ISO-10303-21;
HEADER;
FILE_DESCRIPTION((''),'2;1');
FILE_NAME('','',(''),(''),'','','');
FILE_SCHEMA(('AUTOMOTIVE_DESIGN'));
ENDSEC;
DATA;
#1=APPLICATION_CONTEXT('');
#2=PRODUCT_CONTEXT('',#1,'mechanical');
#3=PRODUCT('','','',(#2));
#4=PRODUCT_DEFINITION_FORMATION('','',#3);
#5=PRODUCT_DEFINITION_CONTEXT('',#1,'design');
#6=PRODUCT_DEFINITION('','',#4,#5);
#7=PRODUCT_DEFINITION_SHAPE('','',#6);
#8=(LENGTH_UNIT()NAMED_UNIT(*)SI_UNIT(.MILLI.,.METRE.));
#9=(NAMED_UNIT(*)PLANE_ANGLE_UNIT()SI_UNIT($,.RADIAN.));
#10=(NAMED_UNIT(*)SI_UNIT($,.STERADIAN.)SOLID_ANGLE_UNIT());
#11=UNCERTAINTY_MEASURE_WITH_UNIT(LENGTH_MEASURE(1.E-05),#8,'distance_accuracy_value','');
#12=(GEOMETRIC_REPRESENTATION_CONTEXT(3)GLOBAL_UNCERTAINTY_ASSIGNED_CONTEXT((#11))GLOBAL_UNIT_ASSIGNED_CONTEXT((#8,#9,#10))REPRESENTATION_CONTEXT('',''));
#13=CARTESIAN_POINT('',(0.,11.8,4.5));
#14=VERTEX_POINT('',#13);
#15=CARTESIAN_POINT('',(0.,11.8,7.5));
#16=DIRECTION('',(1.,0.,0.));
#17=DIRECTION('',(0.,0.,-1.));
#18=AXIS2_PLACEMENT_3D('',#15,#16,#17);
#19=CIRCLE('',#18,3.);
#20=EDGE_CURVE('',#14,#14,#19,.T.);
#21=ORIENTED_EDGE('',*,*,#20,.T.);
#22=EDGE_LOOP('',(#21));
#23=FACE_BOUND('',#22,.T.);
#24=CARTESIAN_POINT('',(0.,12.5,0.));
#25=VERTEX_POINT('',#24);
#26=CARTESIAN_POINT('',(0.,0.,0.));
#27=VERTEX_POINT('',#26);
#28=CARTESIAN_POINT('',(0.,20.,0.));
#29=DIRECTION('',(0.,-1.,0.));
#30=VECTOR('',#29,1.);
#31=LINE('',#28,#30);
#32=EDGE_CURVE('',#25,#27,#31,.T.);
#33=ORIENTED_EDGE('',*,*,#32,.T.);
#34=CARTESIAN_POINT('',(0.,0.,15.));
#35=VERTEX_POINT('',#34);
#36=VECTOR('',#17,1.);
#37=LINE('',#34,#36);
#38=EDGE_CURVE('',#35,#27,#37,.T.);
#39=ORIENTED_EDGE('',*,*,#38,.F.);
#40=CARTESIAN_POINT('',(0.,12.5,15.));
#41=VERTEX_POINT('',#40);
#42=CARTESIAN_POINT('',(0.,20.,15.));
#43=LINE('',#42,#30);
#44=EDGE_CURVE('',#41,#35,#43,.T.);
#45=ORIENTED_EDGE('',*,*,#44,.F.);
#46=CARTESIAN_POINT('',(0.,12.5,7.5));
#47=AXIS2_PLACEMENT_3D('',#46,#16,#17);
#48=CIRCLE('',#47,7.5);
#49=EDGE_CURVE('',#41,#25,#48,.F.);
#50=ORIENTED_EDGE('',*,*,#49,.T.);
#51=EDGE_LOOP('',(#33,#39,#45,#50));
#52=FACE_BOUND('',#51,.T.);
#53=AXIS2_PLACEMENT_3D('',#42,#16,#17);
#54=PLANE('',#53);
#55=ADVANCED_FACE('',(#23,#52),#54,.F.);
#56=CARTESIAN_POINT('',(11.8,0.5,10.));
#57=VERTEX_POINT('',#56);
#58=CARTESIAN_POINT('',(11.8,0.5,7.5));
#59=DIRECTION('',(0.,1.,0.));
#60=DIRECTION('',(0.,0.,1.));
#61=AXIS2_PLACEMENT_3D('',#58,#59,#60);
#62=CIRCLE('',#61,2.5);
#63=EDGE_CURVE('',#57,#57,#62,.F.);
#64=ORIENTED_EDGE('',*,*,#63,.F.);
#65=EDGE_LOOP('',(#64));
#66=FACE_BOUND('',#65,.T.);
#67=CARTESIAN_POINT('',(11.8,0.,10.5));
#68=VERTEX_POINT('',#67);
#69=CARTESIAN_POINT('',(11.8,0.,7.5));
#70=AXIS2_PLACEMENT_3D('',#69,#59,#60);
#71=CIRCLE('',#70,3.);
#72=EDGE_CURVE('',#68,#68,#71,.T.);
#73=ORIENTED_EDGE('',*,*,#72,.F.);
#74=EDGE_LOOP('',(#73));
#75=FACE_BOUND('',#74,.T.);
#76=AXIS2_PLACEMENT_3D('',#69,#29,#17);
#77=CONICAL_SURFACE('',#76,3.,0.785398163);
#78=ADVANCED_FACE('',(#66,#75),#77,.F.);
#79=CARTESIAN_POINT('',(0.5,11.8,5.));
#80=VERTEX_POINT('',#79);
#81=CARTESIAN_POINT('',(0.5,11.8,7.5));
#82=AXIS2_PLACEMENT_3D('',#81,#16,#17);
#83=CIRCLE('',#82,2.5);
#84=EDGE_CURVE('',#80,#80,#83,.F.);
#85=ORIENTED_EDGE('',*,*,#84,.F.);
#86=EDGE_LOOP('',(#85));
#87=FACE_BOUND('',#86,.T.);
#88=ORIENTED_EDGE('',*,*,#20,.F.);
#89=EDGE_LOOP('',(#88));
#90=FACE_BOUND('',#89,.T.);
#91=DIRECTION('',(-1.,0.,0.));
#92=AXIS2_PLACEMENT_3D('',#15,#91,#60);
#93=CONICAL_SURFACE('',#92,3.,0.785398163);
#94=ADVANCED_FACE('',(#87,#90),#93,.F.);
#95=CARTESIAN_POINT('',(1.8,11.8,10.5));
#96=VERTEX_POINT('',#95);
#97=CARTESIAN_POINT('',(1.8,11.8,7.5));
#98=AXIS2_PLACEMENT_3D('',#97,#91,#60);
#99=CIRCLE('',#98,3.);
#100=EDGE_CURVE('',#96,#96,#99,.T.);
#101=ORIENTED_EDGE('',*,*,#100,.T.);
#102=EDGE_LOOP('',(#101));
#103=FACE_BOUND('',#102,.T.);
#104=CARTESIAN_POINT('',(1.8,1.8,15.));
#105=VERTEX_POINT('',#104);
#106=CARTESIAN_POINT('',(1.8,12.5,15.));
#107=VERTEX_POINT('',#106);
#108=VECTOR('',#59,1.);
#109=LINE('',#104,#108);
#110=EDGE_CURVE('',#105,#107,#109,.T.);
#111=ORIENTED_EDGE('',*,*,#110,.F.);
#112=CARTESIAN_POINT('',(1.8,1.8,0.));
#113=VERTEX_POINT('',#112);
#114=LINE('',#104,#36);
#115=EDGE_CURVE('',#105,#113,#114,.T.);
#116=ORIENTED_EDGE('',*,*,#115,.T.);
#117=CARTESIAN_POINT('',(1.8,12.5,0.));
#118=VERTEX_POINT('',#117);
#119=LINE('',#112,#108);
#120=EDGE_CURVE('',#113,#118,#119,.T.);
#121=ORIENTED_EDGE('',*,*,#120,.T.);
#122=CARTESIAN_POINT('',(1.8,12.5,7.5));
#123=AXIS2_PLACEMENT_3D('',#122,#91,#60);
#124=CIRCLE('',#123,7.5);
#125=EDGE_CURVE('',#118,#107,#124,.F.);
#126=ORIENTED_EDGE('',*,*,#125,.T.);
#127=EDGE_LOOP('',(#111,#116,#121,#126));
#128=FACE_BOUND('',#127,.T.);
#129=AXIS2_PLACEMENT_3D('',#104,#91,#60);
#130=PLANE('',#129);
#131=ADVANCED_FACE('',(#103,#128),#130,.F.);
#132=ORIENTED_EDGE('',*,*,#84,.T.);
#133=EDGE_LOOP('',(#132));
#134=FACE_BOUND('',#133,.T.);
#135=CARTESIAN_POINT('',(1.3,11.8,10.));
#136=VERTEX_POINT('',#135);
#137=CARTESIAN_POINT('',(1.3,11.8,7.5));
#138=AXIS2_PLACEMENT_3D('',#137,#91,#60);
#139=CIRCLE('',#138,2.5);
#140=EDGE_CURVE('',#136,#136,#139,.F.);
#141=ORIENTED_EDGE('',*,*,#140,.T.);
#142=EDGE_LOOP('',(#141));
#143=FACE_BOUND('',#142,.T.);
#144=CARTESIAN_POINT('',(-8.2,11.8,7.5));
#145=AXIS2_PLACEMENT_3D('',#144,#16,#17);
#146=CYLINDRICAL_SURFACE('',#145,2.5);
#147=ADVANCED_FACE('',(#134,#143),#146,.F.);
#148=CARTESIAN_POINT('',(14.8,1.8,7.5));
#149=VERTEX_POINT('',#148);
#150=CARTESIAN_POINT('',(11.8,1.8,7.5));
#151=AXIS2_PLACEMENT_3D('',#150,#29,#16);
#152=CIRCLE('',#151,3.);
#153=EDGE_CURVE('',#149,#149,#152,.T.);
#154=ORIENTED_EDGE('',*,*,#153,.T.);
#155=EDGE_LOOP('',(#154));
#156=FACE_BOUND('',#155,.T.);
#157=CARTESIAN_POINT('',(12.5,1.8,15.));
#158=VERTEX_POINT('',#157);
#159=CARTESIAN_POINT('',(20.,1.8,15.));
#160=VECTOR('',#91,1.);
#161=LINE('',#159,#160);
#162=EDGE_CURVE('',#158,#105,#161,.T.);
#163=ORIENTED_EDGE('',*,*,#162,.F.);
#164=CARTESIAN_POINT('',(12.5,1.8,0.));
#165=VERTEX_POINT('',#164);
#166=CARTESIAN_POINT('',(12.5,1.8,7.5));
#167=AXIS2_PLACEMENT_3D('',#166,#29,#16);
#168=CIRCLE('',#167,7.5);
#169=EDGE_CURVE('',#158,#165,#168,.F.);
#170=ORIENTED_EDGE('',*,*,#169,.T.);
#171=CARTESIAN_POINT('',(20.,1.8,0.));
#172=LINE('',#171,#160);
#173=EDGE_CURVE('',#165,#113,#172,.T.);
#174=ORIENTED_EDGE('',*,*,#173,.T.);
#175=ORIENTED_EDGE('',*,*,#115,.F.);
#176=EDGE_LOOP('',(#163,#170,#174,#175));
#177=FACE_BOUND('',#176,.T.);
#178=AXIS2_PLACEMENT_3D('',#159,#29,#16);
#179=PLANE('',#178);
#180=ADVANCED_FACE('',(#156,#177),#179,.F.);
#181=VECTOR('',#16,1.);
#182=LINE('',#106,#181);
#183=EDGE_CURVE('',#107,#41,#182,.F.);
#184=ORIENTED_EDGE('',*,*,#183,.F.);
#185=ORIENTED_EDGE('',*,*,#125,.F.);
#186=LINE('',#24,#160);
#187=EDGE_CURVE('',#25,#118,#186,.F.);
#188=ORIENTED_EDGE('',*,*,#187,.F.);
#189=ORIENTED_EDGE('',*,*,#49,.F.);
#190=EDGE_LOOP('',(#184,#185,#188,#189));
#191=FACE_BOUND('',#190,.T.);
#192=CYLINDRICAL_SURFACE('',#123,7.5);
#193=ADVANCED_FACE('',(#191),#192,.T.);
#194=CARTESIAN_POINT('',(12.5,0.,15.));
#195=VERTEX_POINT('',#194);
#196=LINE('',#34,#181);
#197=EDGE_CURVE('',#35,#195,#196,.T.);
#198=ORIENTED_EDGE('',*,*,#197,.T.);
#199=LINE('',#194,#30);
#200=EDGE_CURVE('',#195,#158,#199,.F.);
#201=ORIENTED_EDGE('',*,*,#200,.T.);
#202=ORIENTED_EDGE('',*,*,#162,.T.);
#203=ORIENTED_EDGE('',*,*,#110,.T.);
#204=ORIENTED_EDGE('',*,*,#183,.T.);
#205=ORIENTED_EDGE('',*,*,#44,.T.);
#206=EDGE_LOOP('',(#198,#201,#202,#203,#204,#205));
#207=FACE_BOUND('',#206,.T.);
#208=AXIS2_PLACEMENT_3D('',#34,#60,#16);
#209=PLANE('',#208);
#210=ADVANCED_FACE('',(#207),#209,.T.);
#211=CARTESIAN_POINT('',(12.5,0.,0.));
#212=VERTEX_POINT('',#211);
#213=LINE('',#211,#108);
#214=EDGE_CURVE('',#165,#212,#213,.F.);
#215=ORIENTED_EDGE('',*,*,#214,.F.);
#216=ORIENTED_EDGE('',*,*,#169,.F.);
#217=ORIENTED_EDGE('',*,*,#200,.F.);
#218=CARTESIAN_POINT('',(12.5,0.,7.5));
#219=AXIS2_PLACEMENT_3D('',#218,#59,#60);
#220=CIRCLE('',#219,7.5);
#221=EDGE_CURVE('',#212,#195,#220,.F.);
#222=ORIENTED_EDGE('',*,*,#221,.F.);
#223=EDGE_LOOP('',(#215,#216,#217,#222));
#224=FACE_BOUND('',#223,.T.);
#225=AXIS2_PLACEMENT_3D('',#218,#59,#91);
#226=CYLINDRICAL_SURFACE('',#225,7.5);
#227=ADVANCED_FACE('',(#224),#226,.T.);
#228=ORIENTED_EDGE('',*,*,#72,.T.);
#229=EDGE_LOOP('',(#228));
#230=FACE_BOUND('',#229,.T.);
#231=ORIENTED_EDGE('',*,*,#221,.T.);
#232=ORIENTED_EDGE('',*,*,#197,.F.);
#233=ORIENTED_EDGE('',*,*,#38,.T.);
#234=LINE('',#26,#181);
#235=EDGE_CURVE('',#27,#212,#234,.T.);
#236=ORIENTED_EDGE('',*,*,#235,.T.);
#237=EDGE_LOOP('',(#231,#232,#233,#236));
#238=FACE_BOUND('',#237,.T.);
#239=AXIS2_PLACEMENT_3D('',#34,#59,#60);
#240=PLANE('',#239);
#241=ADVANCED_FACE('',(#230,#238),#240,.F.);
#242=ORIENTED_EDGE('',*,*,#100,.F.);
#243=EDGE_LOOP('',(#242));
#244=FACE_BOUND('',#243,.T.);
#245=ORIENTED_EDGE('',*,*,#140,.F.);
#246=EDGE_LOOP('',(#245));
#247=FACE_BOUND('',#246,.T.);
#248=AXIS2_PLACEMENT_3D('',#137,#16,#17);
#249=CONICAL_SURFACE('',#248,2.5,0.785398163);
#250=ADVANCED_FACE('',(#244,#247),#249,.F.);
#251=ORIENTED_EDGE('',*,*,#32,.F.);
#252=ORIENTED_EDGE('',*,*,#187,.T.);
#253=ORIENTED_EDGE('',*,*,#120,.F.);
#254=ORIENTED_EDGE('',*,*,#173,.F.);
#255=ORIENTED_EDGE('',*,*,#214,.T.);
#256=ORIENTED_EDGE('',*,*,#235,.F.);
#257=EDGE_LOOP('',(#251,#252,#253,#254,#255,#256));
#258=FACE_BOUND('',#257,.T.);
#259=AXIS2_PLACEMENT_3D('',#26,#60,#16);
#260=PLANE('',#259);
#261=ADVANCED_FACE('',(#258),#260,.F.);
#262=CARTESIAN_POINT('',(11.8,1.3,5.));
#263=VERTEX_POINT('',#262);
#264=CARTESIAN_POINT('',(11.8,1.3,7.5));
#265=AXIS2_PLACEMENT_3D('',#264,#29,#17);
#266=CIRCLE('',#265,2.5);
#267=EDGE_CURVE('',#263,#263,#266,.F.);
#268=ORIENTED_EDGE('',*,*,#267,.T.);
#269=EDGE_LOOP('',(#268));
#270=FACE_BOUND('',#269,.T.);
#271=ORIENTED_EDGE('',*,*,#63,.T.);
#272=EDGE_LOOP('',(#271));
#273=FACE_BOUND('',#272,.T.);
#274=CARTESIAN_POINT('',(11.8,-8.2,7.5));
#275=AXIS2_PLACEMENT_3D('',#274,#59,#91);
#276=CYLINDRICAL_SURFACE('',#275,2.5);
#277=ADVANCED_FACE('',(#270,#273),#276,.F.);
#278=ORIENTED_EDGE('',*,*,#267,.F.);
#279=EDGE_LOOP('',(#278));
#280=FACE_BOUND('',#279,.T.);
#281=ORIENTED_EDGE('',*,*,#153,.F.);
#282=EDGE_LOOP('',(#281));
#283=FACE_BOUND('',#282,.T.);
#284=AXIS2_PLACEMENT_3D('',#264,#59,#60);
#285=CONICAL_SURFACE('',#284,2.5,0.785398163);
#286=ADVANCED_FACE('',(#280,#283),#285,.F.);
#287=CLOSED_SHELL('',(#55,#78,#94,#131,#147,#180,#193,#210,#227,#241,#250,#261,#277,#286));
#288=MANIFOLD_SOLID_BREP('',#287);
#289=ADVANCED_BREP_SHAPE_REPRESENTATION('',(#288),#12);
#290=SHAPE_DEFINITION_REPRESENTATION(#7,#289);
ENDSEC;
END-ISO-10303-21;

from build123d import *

# Parameters (mm, degrees)
BOSS_EXTRUDE1_DEPTH = 15
FILLET1_RADIUS      = 7.5
FILLET1_LENGTH      = 1.8
FILLET2_RADIUS      = 7.5
FILLET2_LENGTH      = 1.8
SKETCH3_R           = 2.5
CUT_EXTRUDE1_DEPTH  = 10
SKETCH2_R           = 2.5
CUT_EXTRUDE2_DEPTH  = 10
CHAMFER1_SIZE       = 0.5


with BuildPart() as part:
    # Sketch1 → Boss-Extrude1 (new body)
    with BuildSketch(Plane.XY):
        Polygon((0, 0), (20, 0), (20, 1.8), (1.8, 1.8), (1.8, 20), (0, 20), align=None)
    extrude(amount=BOSS_EXTRUDE1_DEPTH)

    # Fillet1: full round fillet: the end face becomes a half cylinder, R = half its width
    fillet1_face = Plane((0.9, 20, 7.5), x_dir=(1, 0, 0), z_dir=(0, 1, 0))  # on the end face: x along it, z out of the body
    fillet1_slab = fillet1_face.offset(-FILLET1_RADIUS / 2) * Box(FILLET1_LENGTH, 2 * FILLET1_RADIUS, FILLET1_RADIUS, mode=Mode.PRIVATE)  # the body's end, R deep
    fillet1_round = Plane((0.9, 12.5, 7.5), x_dir=(0, 1, 0), z_dir=(1, 0, 0)) * Cylinder(FILLET1_RADIUS, FILLET1_LENGTH, mode=Mode.PRIVATE)  # its axis R under the face
    add(fillet1_slab - fillet1_round, mode=Mode.SUBTRACT)

    # Fillet2: full round fillet: the end face becomes a half cylinder, R = half its width
    fillet2_face = Plane((20, 0.9, 7.5), x_dir=(0, -1, 0), z_dir=(1, 0, 0))  # on the end face: x along it, z out of the body
    fillet2_slab = fillet2_face.offset(-FILLET2_RADIUS / 2) * Box(FILLET2_LENGTH, 2 * FILLET2_RADIUS, FILLET2_RADIUS, mode=Mode.PRIVATE)  # the body's end, R deep
    fillet2_round = Plane((12.5, 0.9, 7.5), x_dir=(1, 0, 0), z_dir=(0, -1, 0)) * Cylinder(FILLET2_RADIUS, FILLET2_LENGTH, mode=Mode.PRIVATE)  # its axis R under the face
    add(fillet2_slab - fillet2_round, mode=Mode.SUBTRACT)

    # Sketch3 → Cut-Extrude1 (cut)
    with BuildSketch(Plane(origin=(0, 1.8, 0), x_dir=(1, 0, 0), z_dir=(0, 1, 0))):
        with Locations(Location((11.8, -7.5, 0), (0, 0, 180))):
            Circle(SKETCH3_R)
    extrude(amount=-CUT_EXTRUDE1_DEPTH, mode=Mode.SUBTRACT)

    # Sketch2 → Cut-Extrude2 (cut)
    with BuildSketch(Plane(origin=(1.8, 0, 0), x_dir=(0, 0, -1), z_dir=(1, 0, 0))):
        with Locations((-7.5, 11.8)):
            Circle(SKETCH2_R)
    extrude(amount=-CUT_EXTRUDE2_DEPTH, mode=Mode.SUBTRACT)

    # Chamfer1
    chamfer1_edges = [part.edges().sort_by_distance(p)[0] for p in [
        (14.3, 0, 7.5),
        (14.3, 1.8, 7.5),
        (0, 11.8, 10),
        (1.8, 11.8, 10),
    ]]
    chamfer(chamfer1_edges, length=CHAMFER1_SIZE)


solid = part.part
